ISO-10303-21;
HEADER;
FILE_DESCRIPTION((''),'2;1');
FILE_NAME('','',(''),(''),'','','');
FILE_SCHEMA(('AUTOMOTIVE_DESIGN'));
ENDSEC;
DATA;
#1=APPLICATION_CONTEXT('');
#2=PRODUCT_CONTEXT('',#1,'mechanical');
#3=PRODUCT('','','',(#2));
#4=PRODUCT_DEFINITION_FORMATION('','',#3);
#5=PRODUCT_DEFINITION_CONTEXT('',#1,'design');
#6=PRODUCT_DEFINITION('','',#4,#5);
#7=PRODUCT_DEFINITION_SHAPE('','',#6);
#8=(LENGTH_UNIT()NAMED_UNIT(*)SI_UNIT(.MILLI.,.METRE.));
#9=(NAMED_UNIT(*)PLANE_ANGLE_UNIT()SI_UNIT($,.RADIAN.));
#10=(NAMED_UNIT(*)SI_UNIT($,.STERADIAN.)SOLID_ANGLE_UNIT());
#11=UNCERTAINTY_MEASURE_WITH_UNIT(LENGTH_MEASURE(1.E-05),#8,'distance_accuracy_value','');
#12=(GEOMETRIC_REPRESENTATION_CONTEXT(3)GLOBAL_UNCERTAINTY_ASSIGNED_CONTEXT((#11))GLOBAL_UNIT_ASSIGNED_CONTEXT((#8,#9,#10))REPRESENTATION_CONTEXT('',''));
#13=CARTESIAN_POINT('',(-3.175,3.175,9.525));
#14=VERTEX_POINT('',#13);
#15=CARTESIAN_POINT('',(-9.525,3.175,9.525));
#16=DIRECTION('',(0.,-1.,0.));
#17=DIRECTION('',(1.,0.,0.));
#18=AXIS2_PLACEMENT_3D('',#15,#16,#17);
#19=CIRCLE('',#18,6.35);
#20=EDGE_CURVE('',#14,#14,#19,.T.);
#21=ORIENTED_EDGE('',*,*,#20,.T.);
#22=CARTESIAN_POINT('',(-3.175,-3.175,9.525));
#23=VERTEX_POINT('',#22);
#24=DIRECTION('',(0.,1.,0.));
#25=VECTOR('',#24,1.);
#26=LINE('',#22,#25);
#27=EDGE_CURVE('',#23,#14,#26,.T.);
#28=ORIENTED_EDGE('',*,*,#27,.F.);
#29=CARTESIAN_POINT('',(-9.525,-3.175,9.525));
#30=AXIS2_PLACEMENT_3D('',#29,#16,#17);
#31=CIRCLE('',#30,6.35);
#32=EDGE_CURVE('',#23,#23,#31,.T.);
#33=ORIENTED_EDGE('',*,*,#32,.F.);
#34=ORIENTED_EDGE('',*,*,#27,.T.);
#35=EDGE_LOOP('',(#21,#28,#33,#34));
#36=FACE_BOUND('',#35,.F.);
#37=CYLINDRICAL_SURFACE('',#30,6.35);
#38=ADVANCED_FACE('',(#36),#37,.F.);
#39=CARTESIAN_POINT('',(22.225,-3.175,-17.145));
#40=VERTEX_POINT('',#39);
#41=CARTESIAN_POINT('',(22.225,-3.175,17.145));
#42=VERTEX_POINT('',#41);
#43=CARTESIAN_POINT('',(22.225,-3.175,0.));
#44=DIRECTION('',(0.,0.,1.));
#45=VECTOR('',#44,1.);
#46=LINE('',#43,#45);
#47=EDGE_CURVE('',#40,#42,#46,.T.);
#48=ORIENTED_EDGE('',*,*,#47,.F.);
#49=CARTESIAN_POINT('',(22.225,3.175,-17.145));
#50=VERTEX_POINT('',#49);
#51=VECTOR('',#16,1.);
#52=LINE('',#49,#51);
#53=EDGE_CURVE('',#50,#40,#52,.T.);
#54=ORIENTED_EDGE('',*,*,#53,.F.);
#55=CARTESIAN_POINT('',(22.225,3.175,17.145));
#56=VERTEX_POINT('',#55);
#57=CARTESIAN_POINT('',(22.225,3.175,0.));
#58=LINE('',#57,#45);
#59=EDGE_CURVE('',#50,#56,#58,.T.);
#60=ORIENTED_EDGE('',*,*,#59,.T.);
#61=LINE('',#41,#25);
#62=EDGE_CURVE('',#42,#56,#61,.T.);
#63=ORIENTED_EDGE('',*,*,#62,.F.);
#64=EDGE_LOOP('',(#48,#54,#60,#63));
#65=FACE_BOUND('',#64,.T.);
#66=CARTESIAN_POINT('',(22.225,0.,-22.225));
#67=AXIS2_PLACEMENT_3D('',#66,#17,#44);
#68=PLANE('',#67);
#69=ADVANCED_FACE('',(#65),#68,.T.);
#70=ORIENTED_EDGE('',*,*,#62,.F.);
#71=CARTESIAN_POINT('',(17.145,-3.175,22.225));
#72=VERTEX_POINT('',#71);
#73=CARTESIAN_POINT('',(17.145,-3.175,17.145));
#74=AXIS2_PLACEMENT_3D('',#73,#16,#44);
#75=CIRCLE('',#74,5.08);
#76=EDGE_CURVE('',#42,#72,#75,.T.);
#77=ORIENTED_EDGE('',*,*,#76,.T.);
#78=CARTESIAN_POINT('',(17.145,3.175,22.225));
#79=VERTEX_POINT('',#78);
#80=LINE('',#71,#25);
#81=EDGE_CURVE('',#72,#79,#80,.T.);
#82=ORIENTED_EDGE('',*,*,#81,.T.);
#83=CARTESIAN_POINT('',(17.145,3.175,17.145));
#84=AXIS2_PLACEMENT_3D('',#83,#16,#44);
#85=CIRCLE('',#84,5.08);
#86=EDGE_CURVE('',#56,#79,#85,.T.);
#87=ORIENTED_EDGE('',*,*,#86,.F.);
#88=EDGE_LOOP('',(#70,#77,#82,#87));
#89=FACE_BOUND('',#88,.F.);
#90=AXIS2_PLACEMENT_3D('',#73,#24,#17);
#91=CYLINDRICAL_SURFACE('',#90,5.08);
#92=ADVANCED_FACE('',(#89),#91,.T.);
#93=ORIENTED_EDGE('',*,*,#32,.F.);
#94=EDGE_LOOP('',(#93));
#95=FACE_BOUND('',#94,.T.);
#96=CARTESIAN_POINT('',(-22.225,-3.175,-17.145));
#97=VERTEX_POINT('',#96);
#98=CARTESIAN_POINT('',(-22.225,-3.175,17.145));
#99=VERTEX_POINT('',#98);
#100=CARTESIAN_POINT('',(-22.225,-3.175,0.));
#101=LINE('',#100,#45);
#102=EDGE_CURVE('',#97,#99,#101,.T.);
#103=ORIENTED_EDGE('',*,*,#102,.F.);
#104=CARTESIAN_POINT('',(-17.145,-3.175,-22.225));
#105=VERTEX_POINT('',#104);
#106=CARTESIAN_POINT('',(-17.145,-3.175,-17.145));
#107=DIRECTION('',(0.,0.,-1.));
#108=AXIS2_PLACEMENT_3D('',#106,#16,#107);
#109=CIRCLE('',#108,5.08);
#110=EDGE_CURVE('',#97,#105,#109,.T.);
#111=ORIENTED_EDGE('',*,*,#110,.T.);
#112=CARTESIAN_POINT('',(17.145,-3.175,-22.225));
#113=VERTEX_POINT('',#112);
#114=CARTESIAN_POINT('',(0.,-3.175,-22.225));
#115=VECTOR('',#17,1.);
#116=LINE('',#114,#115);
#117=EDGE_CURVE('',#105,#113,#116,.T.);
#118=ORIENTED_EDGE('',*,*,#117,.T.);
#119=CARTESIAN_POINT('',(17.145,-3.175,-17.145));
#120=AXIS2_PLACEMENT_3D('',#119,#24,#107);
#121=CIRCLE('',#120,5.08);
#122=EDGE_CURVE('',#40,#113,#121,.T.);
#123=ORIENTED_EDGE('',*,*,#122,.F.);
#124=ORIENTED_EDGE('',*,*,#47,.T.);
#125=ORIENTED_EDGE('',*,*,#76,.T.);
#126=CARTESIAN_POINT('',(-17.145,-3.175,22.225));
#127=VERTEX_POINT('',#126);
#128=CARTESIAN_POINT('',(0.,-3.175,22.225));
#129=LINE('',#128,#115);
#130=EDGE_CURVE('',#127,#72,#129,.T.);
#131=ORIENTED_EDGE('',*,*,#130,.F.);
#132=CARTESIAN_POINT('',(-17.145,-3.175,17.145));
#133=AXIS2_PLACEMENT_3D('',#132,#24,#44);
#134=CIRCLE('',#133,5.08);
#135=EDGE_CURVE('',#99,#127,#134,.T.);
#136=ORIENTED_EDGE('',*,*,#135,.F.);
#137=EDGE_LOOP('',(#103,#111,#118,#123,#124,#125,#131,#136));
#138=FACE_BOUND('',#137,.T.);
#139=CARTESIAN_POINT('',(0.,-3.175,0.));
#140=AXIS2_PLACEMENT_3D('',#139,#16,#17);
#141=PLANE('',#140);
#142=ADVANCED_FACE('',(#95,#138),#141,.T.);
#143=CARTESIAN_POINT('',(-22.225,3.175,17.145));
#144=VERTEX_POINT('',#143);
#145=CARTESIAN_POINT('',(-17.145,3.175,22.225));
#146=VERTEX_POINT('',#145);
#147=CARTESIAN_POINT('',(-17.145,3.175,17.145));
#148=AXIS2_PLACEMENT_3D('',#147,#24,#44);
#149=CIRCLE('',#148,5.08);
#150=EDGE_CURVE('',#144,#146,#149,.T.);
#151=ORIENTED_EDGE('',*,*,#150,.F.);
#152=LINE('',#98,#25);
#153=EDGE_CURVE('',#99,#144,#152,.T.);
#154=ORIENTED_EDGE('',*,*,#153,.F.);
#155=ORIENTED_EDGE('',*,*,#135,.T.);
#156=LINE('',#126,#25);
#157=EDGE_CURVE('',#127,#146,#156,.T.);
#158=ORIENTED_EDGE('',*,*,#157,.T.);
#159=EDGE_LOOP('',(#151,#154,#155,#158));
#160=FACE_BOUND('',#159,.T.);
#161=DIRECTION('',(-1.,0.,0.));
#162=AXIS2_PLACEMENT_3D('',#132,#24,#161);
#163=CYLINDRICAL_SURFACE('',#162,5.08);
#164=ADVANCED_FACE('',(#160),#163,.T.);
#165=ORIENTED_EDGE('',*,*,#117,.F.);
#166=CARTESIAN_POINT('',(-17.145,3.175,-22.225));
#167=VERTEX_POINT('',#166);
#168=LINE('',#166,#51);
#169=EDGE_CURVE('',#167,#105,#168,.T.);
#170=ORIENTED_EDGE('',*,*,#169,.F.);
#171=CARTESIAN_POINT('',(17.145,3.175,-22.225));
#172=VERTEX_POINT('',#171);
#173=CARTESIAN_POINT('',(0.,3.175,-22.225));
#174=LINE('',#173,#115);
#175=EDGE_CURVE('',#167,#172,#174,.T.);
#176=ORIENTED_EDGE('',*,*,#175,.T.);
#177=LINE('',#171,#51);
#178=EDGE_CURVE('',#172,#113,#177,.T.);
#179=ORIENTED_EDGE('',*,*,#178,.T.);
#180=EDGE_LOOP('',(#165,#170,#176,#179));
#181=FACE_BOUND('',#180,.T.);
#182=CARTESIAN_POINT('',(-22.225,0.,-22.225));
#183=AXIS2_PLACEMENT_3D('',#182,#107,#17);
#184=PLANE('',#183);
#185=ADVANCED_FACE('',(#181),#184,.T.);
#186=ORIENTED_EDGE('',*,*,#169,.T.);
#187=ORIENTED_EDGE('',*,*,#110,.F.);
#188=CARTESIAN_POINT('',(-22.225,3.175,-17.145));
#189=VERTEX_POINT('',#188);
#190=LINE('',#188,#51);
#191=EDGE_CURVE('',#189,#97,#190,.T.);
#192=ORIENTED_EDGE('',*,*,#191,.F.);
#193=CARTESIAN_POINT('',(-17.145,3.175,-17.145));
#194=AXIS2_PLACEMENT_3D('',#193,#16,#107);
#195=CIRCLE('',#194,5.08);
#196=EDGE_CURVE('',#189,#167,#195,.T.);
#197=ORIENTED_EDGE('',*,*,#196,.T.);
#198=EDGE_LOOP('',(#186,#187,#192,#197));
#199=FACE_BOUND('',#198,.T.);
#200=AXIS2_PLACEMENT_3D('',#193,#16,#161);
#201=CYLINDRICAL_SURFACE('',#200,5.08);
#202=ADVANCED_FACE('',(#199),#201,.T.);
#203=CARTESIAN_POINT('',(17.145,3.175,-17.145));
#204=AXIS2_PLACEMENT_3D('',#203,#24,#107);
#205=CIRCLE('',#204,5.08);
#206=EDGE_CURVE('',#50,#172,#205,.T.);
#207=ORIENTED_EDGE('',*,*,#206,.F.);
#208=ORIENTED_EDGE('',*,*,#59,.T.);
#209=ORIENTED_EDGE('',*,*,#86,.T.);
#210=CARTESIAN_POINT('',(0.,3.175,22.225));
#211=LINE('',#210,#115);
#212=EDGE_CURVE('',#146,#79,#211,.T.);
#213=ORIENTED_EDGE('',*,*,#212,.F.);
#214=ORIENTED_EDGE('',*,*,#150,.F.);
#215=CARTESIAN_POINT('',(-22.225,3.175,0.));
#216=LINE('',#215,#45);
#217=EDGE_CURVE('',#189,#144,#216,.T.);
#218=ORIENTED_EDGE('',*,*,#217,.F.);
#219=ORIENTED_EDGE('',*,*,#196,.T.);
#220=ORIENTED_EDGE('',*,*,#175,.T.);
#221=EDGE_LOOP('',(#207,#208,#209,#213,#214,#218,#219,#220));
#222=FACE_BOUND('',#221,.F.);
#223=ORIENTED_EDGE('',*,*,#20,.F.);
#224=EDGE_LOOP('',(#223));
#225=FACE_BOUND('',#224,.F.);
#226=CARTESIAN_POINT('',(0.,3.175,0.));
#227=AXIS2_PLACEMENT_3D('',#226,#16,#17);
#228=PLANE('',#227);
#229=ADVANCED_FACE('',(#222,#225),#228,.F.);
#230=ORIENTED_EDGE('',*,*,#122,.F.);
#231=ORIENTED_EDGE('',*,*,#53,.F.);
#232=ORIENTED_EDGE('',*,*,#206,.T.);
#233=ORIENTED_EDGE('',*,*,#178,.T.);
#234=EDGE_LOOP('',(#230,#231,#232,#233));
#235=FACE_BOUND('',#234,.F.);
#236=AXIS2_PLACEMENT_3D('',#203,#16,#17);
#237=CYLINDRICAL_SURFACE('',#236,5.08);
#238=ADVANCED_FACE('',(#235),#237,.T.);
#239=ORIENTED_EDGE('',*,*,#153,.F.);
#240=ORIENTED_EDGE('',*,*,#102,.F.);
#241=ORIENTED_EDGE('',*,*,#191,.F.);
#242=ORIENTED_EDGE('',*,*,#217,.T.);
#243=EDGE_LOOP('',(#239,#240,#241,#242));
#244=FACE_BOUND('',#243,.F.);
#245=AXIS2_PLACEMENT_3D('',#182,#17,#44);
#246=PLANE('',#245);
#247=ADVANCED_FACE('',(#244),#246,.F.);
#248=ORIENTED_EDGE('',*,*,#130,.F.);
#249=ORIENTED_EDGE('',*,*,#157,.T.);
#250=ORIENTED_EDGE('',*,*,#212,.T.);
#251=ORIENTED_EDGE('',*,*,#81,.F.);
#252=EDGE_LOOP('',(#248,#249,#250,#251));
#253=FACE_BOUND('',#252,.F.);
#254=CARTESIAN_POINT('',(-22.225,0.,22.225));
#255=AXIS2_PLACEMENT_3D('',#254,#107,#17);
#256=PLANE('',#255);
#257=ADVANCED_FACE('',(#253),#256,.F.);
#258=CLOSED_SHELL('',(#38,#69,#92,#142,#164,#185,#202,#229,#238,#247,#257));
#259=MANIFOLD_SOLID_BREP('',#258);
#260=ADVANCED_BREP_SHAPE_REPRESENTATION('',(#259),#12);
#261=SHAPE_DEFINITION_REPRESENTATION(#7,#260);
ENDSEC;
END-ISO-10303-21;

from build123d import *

# Parameters (mm, degrees)
F0_W     = 44.45
F0_H     = 44.45
F1_DEPTH = 3.175
F2_R     = 5.08
F3_R     = 6.35
F4_DEPTH = 6.351


with BuildPart() as f1:
    # F0 (on Front) → F1 (new body, symmetric)
    with BuildSketch(Plane.XZ):
        Rectangle(F0_W, F0_H)
    extrude(amount=F1_DEPTH, both=True)

    # F2
    f2_edges = [f1.edges().sort_by_distance(p)[0] for p in [
        (-22.225, 0, 22.225),
        (22.225, 0, 22.225),
        (22.225, 0, -22.225),
        (-22.225, 0, -22.225),
    ]]
    fillet(f2_edges, radius=F2_R)

    # F3 (on face) → F4 (cut, through all)
    with BuildSketch(Plane.XZ.offset(3.175)):
        with Locations((-9.525, 9.525)):
            Circle(F3_R)
    extrude(amount=-F4_DEPTH, mode=Mode.SUBTRACT)


solid = f1.part
